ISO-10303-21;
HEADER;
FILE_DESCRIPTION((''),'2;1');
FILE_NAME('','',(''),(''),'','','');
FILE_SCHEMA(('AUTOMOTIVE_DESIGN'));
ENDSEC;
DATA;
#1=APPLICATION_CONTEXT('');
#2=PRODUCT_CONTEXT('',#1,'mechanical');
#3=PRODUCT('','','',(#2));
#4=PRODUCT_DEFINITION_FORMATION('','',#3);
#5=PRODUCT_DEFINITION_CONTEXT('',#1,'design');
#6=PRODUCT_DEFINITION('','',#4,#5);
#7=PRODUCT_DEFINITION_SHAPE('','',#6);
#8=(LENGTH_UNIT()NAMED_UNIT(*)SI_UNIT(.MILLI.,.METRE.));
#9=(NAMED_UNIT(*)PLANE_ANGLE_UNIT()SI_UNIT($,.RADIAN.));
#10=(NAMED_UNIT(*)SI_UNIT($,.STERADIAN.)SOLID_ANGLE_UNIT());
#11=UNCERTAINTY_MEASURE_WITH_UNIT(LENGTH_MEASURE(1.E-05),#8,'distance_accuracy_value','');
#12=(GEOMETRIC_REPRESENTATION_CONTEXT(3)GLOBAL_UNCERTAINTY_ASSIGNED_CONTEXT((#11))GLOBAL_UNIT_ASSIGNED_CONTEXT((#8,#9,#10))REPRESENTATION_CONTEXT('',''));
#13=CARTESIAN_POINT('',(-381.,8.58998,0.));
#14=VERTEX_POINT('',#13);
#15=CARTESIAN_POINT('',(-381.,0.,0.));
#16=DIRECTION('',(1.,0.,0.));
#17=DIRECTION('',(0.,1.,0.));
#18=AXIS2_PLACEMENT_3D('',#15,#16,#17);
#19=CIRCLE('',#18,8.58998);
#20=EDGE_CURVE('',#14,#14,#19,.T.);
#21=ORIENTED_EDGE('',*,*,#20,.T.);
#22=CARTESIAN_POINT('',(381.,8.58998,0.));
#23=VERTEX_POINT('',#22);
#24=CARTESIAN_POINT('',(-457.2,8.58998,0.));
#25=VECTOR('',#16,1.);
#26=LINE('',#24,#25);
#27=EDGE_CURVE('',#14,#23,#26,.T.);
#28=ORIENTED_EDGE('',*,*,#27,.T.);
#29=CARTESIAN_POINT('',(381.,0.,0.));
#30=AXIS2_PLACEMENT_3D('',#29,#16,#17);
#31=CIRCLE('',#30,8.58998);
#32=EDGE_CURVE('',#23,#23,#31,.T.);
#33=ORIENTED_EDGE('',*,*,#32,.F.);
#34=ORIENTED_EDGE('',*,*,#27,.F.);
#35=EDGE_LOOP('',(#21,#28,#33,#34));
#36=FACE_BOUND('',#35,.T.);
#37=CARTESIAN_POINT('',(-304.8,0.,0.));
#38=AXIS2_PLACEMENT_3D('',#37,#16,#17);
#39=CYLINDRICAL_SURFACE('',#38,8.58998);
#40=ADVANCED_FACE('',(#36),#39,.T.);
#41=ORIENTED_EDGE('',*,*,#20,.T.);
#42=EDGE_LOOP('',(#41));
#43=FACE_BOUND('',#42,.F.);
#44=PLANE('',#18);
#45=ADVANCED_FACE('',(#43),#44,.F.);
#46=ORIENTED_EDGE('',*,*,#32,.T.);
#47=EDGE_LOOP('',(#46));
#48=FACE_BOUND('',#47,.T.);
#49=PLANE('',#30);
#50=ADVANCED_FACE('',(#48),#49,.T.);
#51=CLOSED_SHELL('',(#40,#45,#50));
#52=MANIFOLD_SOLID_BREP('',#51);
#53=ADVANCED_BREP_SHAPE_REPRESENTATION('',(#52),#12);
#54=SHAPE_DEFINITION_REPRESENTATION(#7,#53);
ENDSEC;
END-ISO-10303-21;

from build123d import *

# Parameters (mm, degrees)
F0_R          = 59.6501704978
F1_DEPTH      = 304.8
F1_DEPTH_BACK = 304.8
F2_R          = 59.6501704978
F2_R_2        = 21.0714216583
F3_DEPTH      = 609.601
F4_R          = 21.0714216583
F4_R_2        = 8.5899800626
F5_DEPTH      = 609.601
F6_DEPTH      = 152.4
F7_DEPTH      = 152.4
F8_DEPTH      = 76.2
F9_DEPTH      = 76.2


with BuildPart() as f1:
    # F0 (on Right) → F1 (new body, two sides)
    with BuildSketch(Plane.YZ) as f1_sk:
        Circle(F0_R)
    extrude(amount=F1_DEPTH)
    extrude(f1_sk.sketch, amount=-F1_DEPTH_BACK)

    # F2 (on face) → F3 (cut, through all)
    with BuildSketch(Plane.YZ.offset(304.8)):
        Circle(F2_R)
        Circle(F2_R_2, mode=Mode.SUBTRACT)
    extrude(amount=-F3_DEPTH, mode=Mode.SUBTRACT)

    # F4 (on face) → F5 (cut, through all)
    with BuildSketch(Plane.YZ.offset(304.8)):
        Circle(F4_R)
        Circle(F4_R_2, mode=Mode.SUBTRACT)
    extrude(amount=-F5_DEPTH, mode=Mode.SUBTRACT)

    # F6 (add): a face of the model
    f6_faces = [f1.faces().sort_by_distance(p)[0] for p in [
        (304.8, 0, 0),
    ]]
    extrude(f6_faces, amount=F6_DEPTH)

    # F7 (add): a face of the model
    f7_faces = [f1.faces().sort_by_distance(p)[0] for p in [
        (-304.8, 0, 0),
    ]]
    extrude(f7_faces, amount=F7_DEPTH)

    # F8 (cut): a face of the model
    f8_faces = [f1.faces().sort_by_distance(p)[0] for p in [
        (457.2, 0, 0),
    ]]
    extrude(f8_faces, amount=-F8_DEPTH, mode=Mode.SUBTRACT)

    # F9 (cut): a face of the model
    f9_faces = [f1.faces().sort_by_distance(p)[0] for p in [
        (-457.2, 0, 0),
    ]]
    extrude(f9_faces, amount=-F9_DEPTH, mode=Mode.SUBTRACT)


solid = f1.part
